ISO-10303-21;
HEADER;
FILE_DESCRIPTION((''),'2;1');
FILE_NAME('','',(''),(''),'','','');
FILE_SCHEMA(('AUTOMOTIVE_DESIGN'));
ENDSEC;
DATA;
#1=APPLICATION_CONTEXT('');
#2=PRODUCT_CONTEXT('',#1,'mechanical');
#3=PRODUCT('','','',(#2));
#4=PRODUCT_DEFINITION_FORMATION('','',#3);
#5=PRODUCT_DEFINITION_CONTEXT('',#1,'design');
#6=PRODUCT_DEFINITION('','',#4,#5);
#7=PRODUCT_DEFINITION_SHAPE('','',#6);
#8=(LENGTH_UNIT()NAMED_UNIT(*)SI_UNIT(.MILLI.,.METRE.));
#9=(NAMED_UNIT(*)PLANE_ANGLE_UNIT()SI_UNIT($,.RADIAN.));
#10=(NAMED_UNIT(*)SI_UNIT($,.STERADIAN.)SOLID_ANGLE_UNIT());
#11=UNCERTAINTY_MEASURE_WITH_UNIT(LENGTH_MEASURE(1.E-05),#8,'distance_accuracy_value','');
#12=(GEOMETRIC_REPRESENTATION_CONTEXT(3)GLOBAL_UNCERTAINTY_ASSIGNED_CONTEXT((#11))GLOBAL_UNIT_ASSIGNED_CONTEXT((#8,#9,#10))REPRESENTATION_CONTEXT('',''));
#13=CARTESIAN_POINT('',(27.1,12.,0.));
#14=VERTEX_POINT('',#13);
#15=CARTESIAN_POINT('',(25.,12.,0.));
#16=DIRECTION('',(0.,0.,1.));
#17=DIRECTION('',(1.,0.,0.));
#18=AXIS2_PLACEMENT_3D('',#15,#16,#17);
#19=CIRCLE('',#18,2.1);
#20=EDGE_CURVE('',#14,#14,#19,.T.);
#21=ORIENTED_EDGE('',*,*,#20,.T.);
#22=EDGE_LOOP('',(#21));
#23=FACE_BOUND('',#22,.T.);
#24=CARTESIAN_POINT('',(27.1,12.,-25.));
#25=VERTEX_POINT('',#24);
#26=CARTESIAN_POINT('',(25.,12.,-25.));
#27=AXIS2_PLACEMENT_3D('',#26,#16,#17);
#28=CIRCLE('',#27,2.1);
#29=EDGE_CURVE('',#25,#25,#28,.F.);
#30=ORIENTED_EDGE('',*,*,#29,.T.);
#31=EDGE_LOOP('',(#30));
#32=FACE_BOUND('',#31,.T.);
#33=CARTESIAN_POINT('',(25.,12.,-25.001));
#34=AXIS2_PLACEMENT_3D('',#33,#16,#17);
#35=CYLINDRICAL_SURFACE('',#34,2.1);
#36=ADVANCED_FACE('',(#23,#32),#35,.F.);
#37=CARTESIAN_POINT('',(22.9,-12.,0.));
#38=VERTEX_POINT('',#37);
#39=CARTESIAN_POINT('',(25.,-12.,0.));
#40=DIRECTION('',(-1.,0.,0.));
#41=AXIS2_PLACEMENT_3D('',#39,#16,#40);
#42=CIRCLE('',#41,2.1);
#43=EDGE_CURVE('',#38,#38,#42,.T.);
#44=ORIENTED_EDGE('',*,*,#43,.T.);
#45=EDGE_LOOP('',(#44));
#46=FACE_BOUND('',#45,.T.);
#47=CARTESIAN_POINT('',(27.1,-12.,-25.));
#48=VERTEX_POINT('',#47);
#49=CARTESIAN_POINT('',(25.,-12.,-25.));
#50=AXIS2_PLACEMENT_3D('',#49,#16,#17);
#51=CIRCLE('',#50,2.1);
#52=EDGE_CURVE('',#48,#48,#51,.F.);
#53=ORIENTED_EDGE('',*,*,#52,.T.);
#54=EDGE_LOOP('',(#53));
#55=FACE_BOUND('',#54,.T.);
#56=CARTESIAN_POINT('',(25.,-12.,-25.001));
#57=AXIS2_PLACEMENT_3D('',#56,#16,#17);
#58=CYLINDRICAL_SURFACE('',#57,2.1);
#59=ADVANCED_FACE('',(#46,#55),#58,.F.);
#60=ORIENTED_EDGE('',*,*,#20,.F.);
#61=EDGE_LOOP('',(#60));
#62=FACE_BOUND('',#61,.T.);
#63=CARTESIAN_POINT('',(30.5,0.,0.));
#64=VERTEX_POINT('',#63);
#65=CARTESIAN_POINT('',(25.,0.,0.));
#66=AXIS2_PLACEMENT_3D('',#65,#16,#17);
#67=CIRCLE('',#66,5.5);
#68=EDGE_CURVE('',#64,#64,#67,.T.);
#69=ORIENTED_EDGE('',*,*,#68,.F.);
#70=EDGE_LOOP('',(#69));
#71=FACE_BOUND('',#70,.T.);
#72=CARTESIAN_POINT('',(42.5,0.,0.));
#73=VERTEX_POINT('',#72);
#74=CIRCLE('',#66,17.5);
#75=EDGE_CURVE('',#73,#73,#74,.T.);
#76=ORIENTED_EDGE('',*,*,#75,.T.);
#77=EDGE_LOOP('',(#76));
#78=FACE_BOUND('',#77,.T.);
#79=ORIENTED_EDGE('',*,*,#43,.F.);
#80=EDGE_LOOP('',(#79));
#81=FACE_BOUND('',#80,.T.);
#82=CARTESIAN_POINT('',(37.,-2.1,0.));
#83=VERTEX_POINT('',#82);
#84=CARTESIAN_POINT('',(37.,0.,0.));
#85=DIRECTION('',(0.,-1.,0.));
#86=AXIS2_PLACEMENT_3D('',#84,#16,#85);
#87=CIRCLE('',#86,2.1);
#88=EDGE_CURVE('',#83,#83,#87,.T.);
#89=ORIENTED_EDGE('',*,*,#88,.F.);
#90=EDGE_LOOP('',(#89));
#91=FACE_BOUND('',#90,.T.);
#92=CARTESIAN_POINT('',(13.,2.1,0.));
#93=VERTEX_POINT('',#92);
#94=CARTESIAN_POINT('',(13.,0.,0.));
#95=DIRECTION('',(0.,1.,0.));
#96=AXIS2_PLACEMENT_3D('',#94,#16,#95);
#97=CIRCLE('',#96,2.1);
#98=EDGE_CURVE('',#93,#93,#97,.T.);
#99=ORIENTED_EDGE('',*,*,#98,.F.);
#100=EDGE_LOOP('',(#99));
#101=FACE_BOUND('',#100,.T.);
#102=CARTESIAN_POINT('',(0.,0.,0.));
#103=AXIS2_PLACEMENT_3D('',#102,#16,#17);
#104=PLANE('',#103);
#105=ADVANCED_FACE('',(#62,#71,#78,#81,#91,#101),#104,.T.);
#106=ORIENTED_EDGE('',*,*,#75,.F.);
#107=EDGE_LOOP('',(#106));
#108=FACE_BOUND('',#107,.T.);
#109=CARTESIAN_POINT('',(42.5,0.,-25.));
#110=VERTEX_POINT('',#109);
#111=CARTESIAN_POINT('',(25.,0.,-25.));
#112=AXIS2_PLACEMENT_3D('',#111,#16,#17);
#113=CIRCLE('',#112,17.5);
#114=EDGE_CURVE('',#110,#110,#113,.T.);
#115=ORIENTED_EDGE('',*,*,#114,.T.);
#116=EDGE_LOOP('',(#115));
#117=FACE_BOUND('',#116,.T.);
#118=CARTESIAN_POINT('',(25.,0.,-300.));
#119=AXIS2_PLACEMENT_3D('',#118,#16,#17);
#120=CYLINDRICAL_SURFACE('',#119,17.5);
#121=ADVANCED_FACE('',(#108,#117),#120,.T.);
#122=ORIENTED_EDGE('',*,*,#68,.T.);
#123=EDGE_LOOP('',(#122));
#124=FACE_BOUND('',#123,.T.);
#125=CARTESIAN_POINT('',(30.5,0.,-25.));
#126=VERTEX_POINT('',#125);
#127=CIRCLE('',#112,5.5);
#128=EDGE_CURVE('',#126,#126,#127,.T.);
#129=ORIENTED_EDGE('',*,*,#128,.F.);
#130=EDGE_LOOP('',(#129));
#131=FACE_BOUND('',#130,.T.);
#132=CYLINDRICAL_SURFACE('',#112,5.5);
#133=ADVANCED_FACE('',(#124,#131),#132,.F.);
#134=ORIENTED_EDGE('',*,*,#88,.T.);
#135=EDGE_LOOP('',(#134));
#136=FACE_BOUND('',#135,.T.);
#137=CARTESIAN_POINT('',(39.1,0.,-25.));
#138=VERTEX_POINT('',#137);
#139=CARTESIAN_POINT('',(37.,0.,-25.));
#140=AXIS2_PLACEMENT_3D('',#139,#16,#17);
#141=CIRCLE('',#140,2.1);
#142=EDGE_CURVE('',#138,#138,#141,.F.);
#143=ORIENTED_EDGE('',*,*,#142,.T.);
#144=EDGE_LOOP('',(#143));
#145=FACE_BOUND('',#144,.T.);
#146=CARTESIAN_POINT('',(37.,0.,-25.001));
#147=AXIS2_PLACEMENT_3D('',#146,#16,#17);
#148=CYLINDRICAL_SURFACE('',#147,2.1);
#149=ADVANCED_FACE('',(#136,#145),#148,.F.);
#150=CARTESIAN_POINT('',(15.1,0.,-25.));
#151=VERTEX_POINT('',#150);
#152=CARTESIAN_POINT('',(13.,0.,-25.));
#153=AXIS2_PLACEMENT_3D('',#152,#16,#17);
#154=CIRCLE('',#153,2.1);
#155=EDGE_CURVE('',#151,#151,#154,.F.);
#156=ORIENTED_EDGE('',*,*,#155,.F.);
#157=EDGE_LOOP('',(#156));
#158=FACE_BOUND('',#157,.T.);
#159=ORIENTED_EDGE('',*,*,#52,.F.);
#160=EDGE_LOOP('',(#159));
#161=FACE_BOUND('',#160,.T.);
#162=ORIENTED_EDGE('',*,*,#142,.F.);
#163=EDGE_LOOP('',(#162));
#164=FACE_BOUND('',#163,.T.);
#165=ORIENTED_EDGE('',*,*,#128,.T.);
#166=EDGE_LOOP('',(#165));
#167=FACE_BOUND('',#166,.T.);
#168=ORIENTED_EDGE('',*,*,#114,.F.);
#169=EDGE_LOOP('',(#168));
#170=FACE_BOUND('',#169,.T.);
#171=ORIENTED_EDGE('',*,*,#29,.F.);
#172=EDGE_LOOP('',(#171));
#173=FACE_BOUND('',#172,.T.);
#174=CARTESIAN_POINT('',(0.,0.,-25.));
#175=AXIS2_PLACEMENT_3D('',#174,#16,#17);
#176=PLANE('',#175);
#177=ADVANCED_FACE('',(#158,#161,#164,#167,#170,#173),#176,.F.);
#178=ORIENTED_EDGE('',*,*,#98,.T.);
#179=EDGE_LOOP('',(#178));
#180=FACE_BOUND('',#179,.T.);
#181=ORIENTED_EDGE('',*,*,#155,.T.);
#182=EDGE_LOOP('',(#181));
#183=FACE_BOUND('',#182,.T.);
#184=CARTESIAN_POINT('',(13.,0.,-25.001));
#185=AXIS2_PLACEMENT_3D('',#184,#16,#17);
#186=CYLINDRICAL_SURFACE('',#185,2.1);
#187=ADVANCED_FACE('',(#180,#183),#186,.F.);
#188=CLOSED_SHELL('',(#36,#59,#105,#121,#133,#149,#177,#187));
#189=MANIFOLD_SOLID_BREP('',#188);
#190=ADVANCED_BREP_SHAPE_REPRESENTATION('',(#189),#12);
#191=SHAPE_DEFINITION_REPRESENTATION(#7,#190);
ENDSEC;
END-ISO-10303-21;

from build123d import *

# Parameters (mm, degrees)
SKETCH1_R           = 60
SKETCH1_R_2         = 5.5
SKETCH1_R_3         = 9
BOSS_EXTRUDE1_DEPTH = 25
CUT_EXTRUDE7_REACH  = 90.459
SKETCH6_R           = 2.1
CIRPATTERN4_COUNT   = 4
SKETCH2_R           = 63
SKETCH2_R_2         = 60
BOSS_EXTRUDE2_DEPTH = 300
SKETCH3_R           = 11.04
CUT_EXTRUDE1_DEPTH  = 10
CUT_EXTRUDE2_REACH  = 314.95
SKETCH4_R           = 1.5
CIRPATTERN1_COUNT   = 4
CUT_EXTRUDE3_DEPTH  = 3
CIRPATTERN2_COUNT   = 4
SKETCH7_OUTSIDE_W   = 197.786
SKETCH7_OUTSIDE_H   = 197.786
SKETCH7_OUTSIDE_R   = 17.5
CUT_EXTRUDE8_DEPTH  = 313.950475315


with BuildPart() as part:
    # Sketch1 → Boss-Extrude1 (new body)
    with BuildSketch(Plane.XY):
        Circle(SKETCH1_R)
        with Locations((25, 0)):
            Circle(SKETCH1_R_2, mode=Mode.SUBTRACT)
        with Locations((-25, 0)):
            Circle(SKETCH1_R_3, mode=Mode.SUBTRACT)
    extrude(amount=-BOSS_EXTRUDE1_DEPTH)

    # Sketch6 → Cut-Extrude7 (cut, up to next)
    with BuildSketch(Plane.XY, mode=Mode.PRIVATE) as cut_extrude7_sk1:
        with Locations((25, 12)):
            Circle(SKETCH6_R)
    cut_extrude7_tool1 = extrude(cut_extrude7_sk1.sketch, amount=-CUT_EXTRUDE7_REACH, mode=Mode.PRIVATE) & part.part
    cut_extrude7 = cut_extrude7_tool1.solids().sort_by_distance((25, 12, 0))[0]
    add(cut_extrude7, mode=Mode.SUBTRACT)

    # CirPattern4: Cut-Extrude7 ×4 about axis
    cirpattern4_axis = Axis((25, 0, 0), (0, 0, 1))
    for i in range(1, CIRPATTERN4_COUNT):
        add(cut_extrude7.rotate(cirpattern4_axis, i * 360 / CIRPATTERN4_COUNT), mode=Mode.SUBTRACT)

    # Sketch2 → Boss-Extrude2 (add)
    with BuildSketch(Plane.XY):
        Circle(SKETCH2_R)
        Circle(SKETCH2_R_2, mode=Mode.SUBTRACT)
    extrude(amount=-BOSS_EXTRUDE2_DEPTH)

    # Sketch3 → Cut-Extrude1 (cut)
    with BuildSketch(Plane(origin=(0, 0, -25), x_dir=(-1, 0, 0), z_dir=(0, 0, -1))):
        with Locations((25, 0)):
            Circle(SKETCH3_R)
    extrude(amount=-CUT_EXTRUDE1_DEPTH, mode=Mode.SUBTRACT)

    # Sketch4 → Cut-Extrude2 (cut, up to next)
    with BuildSketch(Plane.XY, mode=Mode.PRIVATE) as cut_extrude2_sk1:
        with Locations((-39, 0)):
            Circle(SKETCH4_R)
    cut_extrude2_tool1 = extrude(cut_extrude2_sk1.sketch, amount=-CUT_EXTRUDE2_REACH, mode=Mode.PRIVATE) & part.part
    cut_extrude2 = cut_extrude2_tool1.solids().sort_by_distance((-39, 0, 0))[0]
    add(cut_extrude2, mode=Mode.SUBTRACT)

    # CirPattern1: Cut-Extrude2 ×4 about axis
    cirpattern1_axis = Axis((-25, 0, 0), (0, 0, 1))
    for i in range(1, CIRPATTERN1_COUNT):
        add(cut_extrude2.rotate(cirpattern1_axis, i * 360 / CIRPATTERN1_COUNT), mode=Mode.SUBTRACT)

    # Sketch5 → Cut-Extrude3 (cut)
    with BuildSketch(Plane.XY):
        Polygon((-12.732050808, -3), (-9.267949192, -3), (-7.535898385, 0), (-9.267949192, 3), (-12.732050808, 3), (-14.464101615, 0), align=None)
    cut_extrude3 = extrude(amount=-CUT_EXTRUDE3_DEPTH, mode=Mode.SUBTRACT)

    # CirPattern2: Cut-Extrude3 ×4 about axis
    cirpattern2_axis = Axis((-25, 0, 0), (0, 0, 1))
    for i in range(1, CIRPATTERN2_COUNT):
        add(cut_extrude3.rotate(cirpattern2_axis, i * 360 / CIRPATTERN2_COUNT), mode=Mode.SUBTRACT)

    # Sketch7 outside → Cut-Extrude8 (cut, through all)
    with BuildSketch(Plane.XY):
        Rectangle(SKETCH7_OUTSIDE_W, SKETCH7_OUTSIDE_H)
        with Locations((25, 0)):
            Circle(SKETCH7_OUTSIDE_R, mode=Mode.SUBTRACT)
    extrude(amount=-CUT_EXTRUDE8_DEPTH, mode=Mode.SUBTRACT)


solid = part.part
